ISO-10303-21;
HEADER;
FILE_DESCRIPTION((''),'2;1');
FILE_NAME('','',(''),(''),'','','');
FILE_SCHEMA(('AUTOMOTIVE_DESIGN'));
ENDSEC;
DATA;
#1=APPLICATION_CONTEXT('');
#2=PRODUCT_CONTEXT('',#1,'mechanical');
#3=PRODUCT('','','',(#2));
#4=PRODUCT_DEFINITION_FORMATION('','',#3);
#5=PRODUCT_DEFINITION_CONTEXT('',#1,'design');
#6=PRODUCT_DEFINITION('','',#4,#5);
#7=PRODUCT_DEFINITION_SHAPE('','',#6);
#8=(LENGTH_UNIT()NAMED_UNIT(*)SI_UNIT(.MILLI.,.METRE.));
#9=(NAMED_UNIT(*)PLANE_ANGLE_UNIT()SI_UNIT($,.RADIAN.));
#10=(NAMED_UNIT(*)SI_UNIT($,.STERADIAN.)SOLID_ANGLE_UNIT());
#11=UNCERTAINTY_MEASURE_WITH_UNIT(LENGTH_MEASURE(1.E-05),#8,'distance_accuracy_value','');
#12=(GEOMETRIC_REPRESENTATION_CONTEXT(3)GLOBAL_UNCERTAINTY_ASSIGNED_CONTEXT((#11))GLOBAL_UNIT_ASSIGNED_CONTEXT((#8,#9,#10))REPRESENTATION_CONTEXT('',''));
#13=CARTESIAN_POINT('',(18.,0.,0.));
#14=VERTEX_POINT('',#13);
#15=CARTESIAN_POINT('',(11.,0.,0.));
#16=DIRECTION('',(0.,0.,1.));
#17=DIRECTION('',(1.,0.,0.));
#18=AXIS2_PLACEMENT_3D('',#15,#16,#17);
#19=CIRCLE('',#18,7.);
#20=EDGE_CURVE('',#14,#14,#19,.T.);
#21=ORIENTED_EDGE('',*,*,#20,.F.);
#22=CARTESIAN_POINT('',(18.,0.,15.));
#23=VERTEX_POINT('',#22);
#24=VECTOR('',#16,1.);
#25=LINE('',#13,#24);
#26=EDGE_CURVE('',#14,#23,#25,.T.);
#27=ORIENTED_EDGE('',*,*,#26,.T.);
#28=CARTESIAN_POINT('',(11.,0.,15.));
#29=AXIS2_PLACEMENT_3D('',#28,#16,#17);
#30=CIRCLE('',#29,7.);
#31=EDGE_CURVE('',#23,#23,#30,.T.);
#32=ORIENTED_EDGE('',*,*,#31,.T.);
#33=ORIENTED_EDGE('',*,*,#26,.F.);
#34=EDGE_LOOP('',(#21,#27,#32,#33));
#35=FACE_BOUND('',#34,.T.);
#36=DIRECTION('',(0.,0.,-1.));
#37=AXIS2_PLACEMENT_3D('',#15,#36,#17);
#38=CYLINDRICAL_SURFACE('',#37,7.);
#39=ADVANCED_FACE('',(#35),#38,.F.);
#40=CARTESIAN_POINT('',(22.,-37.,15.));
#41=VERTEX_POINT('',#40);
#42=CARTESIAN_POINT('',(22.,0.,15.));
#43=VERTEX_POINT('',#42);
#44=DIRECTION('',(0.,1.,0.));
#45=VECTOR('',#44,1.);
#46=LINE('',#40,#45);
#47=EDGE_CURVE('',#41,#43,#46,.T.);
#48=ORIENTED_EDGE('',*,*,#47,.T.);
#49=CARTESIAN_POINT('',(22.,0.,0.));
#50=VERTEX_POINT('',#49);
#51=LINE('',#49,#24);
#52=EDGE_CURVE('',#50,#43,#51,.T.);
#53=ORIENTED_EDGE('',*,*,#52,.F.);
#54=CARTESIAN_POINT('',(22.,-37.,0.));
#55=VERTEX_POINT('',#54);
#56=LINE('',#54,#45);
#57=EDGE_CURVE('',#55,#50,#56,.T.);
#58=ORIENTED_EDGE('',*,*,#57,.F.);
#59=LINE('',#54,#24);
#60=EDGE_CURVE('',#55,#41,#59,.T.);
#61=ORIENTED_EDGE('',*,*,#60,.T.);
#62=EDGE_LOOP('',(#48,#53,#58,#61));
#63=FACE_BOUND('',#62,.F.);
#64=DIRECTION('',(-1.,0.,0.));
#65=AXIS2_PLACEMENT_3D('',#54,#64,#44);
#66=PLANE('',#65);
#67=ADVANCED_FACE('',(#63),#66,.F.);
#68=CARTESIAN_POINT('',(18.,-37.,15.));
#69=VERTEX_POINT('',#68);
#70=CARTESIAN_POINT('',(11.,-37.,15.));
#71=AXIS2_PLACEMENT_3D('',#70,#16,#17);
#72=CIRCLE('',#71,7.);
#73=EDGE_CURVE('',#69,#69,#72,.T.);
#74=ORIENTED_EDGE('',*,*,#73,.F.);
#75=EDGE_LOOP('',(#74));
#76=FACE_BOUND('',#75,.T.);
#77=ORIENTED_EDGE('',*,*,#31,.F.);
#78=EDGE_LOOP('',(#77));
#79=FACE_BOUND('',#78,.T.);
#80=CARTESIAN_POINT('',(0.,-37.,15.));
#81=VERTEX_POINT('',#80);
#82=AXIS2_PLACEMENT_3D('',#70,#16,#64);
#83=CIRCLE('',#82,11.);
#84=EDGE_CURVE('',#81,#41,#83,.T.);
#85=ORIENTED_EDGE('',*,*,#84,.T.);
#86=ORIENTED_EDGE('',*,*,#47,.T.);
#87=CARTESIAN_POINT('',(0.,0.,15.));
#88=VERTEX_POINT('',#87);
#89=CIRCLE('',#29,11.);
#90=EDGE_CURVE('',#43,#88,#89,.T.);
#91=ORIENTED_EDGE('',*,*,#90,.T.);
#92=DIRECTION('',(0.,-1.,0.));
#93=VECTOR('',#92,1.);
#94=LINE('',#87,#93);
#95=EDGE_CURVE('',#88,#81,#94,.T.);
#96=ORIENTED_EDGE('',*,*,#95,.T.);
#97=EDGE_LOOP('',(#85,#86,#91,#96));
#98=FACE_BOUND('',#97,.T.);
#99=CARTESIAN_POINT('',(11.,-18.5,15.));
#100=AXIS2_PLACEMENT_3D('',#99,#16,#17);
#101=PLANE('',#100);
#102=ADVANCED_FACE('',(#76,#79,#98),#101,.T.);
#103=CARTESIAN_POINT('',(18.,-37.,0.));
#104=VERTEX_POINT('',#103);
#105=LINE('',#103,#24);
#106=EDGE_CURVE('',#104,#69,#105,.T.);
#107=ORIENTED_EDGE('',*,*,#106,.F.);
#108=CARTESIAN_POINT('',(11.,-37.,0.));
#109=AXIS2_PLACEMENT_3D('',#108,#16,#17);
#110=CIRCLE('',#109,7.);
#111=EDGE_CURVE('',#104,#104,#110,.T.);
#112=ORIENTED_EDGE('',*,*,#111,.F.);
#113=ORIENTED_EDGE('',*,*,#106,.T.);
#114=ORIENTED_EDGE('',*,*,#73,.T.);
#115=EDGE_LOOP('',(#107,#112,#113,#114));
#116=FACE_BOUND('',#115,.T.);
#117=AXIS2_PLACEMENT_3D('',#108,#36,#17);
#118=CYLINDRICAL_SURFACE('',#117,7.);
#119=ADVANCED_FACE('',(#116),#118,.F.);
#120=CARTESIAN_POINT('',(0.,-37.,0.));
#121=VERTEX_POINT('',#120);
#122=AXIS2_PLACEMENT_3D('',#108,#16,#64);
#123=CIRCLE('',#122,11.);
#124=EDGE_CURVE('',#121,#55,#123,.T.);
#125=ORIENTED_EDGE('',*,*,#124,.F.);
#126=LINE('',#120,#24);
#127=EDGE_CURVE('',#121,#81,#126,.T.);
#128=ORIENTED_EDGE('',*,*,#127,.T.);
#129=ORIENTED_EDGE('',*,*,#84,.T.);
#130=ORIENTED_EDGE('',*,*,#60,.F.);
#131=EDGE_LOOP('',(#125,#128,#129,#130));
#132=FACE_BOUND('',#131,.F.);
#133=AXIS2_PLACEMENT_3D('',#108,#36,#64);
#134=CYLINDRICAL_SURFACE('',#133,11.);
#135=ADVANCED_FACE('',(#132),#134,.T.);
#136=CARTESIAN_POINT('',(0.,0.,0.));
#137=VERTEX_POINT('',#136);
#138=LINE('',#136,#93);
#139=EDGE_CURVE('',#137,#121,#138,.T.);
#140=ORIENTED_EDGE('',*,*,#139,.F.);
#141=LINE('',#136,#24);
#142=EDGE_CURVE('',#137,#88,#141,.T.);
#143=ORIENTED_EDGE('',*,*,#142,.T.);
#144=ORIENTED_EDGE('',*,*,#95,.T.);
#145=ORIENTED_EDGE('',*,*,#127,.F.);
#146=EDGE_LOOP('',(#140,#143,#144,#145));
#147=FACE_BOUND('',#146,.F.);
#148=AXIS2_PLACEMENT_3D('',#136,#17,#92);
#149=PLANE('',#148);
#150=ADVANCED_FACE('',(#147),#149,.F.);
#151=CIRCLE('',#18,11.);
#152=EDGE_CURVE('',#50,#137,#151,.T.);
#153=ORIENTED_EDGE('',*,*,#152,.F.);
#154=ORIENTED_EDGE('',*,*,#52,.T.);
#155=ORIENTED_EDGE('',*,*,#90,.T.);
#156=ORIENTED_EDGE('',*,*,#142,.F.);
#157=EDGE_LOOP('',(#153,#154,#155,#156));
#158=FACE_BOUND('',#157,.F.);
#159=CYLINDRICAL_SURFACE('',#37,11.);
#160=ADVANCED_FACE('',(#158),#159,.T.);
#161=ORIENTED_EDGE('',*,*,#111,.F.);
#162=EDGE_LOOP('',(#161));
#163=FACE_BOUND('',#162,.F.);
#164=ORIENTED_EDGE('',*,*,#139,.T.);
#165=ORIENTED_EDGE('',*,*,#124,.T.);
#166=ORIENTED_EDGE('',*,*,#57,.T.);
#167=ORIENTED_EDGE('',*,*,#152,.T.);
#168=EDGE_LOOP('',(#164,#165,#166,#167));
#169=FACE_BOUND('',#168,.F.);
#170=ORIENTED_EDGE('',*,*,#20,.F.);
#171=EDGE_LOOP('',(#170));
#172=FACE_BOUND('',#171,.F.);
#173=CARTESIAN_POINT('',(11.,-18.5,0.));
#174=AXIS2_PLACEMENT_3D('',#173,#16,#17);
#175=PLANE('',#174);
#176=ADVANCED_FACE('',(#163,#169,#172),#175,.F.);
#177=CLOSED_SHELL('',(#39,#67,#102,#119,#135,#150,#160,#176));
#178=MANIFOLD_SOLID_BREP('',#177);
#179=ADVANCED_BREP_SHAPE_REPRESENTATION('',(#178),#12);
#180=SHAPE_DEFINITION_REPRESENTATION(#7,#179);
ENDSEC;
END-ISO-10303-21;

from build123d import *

# Parameters (mm, degrees)
SKETCH_1_R      = 7
EXTRUDE_1_DEPTH = 15


with BuildPart() as part:
    # 草图1 → 拉伸1 (new body)
    with BuildSketch(Plane.XY):
        with BuildLine():
            Line((0, 0), (0, -37))
            ThreePointArc((0, -37), (11, -48), (22, -37))
            Line((22, -37), (22, 0))
            ThreePointArc((22, 0), (11, 11), (0, 0))
        make_face()
        with Locations((11, 0)):
            Circle(SKETCH_1_R, mode=Mode.SUBTRACT)
        with Locations((11, -37)):
            Circle(SKETCH_1_R, mode=Mode.SUBTRACT)
    extrude(amount=EXTRUDE_1_DEPTH)


solid = part.part
